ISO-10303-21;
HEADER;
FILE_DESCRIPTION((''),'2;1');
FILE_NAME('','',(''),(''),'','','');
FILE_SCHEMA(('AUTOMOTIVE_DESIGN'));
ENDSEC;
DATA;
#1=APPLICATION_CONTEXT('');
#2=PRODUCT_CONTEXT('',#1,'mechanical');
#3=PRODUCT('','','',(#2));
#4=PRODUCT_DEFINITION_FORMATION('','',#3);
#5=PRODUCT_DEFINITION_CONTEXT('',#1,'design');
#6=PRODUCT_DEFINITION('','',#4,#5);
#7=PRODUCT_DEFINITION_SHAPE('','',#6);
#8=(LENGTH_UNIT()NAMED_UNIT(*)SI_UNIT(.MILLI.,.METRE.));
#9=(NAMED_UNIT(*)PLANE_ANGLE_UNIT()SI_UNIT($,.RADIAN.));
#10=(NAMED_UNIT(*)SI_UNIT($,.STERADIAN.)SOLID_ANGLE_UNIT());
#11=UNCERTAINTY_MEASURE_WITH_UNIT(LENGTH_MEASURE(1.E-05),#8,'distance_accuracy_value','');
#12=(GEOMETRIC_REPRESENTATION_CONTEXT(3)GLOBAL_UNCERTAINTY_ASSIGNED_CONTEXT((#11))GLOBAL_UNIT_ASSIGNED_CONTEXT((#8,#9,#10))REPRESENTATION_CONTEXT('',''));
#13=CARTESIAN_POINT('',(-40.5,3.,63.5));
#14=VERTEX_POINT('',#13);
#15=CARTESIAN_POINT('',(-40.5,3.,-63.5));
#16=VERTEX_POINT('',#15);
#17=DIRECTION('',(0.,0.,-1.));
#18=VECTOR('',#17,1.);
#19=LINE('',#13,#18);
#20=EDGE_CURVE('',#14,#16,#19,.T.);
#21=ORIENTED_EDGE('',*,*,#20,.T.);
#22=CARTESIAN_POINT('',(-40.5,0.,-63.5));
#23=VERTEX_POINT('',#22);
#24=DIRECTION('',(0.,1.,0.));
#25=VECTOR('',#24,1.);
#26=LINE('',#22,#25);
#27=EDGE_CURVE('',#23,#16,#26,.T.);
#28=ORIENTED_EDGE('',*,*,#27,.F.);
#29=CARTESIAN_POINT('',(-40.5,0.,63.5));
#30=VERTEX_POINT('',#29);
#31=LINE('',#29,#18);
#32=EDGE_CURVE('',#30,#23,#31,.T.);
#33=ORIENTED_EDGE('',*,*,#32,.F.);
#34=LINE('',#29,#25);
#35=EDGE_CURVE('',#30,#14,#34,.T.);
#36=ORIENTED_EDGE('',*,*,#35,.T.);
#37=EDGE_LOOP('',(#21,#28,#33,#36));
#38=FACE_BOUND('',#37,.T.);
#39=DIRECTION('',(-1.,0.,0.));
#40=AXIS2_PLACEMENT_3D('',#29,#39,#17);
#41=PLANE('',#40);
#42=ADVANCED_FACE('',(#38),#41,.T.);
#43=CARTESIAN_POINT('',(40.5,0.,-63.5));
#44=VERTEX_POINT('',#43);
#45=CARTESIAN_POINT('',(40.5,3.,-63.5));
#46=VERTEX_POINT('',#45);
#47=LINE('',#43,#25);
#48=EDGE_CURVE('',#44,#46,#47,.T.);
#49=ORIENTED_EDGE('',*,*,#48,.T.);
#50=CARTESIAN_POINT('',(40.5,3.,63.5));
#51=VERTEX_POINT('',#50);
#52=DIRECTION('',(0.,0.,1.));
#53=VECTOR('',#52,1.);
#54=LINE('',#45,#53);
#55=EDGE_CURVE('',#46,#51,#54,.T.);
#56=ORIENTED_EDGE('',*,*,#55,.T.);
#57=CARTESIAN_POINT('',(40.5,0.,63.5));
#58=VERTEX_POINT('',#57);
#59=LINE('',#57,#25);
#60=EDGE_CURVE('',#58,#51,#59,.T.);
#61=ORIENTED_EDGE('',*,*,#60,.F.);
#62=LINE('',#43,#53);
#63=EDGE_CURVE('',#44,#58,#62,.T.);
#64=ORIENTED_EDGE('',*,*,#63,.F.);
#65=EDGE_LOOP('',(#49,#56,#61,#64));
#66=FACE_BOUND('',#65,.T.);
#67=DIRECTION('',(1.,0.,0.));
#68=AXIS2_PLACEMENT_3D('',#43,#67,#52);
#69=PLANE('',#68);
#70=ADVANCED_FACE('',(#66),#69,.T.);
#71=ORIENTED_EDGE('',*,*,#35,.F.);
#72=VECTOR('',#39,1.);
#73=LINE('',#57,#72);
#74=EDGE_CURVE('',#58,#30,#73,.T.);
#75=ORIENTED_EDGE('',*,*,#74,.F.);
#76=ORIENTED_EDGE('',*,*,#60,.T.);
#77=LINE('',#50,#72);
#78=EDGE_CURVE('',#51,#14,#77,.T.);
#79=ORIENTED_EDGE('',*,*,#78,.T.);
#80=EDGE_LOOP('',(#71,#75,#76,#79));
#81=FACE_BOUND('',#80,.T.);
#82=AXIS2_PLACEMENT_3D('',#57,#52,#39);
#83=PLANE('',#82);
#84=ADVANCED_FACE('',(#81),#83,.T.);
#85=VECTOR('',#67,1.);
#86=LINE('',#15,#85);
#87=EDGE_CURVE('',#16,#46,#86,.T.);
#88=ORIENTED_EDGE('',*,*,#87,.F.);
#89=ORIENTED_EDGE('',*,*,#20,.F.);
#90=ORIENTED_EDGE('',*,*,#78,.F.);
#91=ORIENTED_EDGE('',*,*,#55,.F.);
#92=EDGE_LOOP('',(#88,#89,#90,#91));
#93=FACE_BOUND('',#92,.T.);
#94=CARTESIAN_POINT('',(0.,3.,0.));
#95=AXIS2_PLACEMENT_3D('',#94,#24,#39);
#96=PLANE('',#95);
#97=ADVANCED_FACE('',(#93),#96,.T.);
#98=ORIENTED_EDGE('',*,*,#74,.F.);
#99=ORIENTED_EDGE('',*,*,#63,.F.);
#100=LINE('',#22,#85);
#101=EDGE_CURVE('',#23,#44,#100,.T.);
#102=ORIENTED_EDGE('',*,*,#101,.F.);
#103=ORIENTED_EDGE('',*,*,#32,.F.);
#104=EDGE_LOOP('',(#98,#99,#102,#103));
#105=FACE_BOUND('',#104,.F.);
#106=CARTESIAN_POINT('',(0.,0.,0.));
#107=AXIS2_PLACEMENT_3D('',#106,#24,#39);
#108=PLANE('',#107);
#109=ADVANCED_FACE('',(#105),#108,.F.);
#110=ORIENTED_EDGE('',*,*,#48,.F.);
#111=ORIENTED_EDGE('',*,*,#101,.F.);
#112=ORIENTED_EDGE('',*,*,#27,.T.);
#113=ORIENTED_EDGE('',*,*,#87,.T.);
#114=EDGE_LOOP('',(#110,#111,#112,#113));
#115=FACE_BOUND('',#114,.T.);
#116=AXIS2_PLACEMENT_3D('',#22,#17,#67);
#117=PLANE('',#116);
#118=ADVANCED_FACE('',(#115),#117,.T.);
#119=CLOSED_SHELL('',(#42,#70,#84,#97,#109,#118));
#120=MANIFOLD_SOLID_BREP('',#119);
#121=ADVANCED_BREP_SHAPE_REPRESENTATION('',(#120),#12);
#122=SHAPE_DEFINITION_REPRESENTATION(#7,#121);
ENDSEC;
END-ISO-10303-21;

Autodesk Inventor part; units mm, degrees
ref_plane "YZ Plane" through (0, 0, 0) normal (1, 0, 0) x (0, 1, 0)
ref_plane "XZ Plane" through (0, 0, 0) normal (0, 1, 0) x (-1, 0, 0)
ref_plane "XY Plane" through (0, 0, 0) normal (0, 0, 1) x (1, 0, 0)
sketch "Sketch1" plane through (0, 0, 0) normal (0, 1, 0) x (-1, 0, 0)
  line L0 (-40.5, 63.5) -> (40.5, 63.5)
  line L1 (40.5, 63.5) -> (40.5, -63.5)
  line L2 (40.5, -63.5) -> (-40.5, -63.5)
  line L3 (-40.5, -63.5) -> (-40.5, 63.5)
  line L4 (-40.5, 63.5) -> (40.5, -63.5) construction
  line L5 (40.5, 63.5) -> (-40.5, -63.5) construction
  point P0 (0, 0)
  dimension "d0" = 81
  dimension "d1" = 127
extrude "Extrusion1" add sketch "Sketch1" along normal blind 3
properties part number "pokrywa_obudowy_elektroniki" material "ABS Plastic"
